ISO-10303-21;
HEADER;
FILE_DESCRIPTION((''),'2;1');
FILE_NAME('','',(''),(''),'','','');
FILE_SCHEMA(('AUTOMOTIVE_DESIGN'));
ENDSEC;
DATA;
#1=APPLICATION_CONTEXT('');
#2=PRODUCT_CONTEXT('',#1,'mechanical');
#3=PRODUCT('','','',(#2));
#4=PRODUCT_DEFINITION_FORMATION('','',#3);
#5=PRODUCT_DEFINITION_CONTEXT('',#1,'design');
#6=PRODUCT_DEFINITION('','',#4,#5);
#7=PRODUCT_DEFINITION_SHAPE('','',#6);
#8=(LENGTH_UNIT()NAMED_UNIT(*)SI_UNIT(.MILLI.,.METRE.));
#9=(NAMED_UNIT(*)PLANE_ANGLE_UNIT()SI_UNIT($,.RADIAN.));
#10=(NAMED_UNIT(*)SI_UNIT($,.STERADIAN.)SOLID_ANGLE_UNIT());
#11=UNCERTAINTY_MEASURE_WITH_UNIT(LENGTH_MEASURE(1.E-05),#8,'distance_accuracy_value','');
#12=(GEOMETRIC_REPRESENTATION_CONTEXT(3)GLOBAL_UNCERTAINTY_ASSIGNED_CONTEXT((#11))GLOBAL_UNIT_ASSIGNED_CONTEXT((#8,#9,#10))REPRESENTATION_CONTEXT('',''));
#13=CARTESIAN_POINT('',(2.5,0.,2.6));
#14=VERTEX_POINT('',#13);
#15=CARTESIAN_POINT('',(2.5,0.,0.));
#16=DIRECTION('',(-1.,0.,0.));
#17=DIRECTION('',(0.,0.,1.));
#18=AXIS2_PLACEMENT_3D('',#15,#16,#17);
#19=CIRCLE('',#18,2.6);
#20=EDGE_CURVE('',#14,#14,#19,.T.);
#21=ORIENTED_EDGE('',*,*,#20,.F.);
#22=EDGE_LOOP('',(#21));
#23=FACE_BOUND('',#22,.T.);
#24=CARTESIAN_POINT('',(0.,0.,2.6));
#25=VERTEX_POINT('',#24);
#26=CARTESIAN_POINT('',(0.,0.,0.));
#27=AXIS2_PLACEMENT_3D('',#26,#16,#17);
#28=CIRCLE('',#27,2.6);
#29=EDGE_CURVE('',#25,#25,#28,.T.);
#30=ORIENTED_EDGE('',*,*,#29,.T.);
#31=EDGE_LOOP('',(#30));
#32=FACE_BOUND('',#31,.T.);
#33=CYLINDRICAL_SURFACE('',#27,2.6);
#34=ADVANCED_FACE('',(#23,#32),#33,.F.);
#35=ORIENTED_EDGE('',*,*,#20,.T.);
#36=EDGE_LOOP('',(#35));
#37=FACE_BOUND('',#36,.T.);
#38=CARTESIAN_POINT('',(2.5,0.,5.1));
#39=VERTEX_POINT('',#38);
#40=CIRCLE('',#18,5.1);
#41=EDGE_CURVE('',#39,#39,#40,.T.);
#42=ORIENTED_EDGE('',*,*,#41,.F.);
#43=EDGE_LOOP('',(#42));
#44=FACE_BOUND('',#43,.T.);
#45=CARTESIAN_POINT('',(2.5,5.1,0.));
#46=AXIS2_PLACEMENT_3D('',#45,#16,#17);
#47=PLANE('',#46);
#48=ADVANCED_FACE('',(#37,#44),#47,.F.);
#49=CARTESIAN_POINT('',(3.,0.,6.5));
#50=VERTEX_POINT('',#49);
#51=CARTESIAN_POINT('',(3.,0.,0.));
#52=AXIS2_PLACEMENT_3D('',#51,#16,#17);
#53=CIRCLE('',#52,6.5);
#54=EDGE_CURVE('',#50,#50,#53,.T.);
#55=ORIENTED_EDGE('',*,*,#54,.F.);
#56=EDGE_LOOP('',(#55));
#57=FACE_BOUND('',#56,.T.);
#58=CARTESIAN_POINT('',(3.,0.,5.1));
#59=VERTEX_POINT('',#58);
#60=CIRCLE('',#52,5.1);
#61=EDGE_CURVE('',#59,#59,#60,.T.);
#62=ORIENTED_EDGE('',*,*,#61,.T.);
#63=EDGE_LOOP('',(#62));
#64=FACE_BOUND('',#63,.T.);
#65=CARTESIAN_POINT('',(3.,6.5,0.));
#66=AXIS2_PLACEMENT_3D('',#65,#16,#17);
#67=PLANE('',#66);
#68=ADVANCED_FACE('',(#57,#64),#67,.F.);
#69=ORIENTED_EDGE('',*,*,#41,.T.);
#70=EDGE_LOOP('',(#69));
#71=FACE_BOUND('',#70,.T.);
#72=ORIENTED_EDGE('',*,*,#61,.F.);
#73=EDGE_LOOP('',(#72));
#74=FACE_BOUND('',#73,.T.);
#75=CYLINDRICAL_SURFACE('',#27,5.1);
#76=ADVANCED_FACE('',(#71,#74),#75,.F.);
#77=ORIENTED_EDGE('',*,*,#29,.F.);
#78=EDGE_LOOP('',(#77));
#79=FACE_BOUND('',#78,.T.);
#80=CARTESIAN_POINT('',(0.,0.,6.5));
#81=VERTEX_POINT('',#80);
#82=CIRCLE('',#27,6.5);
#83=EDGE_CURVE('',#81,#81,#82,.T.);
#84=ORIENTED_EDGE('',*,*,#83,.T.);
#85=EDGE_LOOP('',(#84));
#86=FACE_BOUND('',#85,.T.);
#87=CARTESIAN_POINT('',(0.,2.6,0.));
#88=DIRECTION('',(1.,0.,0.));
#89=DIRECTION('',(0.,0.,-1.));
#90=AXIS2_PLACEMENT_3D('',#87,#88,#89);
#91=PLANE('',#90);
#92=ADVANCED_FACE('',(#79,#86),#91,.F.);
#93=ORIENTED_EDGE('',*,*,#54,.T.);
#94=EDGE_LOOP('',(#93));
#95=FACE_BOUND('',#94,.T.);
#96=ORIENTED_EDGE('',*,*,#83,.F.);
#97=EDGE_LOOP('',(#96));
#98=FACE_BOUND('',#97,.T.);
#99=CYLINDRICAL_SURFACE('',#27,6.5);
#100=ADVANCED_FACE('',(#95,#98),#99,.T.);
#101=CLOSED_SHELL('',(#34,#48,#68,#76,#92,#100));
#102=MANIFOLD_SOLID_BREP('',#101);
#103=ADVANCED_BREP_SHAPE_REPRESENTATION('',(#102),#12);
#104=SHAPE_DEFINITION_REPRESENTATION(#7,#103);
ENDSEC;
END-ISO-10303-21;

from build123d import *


with BuildPart() as part:
    # 草图1 → 旋转1 (revolve)
    with BuildSketch(Plane.XY):
        Polygon((0, 2.6), (0, 6.5), (3, 6.5), (3, 5.1), (2.5, 5.1), (2.5, 2.6), align=None)
    revolve(axis=Axis((0, 0, 0), (1, 0, 0)))


solid = part.part
